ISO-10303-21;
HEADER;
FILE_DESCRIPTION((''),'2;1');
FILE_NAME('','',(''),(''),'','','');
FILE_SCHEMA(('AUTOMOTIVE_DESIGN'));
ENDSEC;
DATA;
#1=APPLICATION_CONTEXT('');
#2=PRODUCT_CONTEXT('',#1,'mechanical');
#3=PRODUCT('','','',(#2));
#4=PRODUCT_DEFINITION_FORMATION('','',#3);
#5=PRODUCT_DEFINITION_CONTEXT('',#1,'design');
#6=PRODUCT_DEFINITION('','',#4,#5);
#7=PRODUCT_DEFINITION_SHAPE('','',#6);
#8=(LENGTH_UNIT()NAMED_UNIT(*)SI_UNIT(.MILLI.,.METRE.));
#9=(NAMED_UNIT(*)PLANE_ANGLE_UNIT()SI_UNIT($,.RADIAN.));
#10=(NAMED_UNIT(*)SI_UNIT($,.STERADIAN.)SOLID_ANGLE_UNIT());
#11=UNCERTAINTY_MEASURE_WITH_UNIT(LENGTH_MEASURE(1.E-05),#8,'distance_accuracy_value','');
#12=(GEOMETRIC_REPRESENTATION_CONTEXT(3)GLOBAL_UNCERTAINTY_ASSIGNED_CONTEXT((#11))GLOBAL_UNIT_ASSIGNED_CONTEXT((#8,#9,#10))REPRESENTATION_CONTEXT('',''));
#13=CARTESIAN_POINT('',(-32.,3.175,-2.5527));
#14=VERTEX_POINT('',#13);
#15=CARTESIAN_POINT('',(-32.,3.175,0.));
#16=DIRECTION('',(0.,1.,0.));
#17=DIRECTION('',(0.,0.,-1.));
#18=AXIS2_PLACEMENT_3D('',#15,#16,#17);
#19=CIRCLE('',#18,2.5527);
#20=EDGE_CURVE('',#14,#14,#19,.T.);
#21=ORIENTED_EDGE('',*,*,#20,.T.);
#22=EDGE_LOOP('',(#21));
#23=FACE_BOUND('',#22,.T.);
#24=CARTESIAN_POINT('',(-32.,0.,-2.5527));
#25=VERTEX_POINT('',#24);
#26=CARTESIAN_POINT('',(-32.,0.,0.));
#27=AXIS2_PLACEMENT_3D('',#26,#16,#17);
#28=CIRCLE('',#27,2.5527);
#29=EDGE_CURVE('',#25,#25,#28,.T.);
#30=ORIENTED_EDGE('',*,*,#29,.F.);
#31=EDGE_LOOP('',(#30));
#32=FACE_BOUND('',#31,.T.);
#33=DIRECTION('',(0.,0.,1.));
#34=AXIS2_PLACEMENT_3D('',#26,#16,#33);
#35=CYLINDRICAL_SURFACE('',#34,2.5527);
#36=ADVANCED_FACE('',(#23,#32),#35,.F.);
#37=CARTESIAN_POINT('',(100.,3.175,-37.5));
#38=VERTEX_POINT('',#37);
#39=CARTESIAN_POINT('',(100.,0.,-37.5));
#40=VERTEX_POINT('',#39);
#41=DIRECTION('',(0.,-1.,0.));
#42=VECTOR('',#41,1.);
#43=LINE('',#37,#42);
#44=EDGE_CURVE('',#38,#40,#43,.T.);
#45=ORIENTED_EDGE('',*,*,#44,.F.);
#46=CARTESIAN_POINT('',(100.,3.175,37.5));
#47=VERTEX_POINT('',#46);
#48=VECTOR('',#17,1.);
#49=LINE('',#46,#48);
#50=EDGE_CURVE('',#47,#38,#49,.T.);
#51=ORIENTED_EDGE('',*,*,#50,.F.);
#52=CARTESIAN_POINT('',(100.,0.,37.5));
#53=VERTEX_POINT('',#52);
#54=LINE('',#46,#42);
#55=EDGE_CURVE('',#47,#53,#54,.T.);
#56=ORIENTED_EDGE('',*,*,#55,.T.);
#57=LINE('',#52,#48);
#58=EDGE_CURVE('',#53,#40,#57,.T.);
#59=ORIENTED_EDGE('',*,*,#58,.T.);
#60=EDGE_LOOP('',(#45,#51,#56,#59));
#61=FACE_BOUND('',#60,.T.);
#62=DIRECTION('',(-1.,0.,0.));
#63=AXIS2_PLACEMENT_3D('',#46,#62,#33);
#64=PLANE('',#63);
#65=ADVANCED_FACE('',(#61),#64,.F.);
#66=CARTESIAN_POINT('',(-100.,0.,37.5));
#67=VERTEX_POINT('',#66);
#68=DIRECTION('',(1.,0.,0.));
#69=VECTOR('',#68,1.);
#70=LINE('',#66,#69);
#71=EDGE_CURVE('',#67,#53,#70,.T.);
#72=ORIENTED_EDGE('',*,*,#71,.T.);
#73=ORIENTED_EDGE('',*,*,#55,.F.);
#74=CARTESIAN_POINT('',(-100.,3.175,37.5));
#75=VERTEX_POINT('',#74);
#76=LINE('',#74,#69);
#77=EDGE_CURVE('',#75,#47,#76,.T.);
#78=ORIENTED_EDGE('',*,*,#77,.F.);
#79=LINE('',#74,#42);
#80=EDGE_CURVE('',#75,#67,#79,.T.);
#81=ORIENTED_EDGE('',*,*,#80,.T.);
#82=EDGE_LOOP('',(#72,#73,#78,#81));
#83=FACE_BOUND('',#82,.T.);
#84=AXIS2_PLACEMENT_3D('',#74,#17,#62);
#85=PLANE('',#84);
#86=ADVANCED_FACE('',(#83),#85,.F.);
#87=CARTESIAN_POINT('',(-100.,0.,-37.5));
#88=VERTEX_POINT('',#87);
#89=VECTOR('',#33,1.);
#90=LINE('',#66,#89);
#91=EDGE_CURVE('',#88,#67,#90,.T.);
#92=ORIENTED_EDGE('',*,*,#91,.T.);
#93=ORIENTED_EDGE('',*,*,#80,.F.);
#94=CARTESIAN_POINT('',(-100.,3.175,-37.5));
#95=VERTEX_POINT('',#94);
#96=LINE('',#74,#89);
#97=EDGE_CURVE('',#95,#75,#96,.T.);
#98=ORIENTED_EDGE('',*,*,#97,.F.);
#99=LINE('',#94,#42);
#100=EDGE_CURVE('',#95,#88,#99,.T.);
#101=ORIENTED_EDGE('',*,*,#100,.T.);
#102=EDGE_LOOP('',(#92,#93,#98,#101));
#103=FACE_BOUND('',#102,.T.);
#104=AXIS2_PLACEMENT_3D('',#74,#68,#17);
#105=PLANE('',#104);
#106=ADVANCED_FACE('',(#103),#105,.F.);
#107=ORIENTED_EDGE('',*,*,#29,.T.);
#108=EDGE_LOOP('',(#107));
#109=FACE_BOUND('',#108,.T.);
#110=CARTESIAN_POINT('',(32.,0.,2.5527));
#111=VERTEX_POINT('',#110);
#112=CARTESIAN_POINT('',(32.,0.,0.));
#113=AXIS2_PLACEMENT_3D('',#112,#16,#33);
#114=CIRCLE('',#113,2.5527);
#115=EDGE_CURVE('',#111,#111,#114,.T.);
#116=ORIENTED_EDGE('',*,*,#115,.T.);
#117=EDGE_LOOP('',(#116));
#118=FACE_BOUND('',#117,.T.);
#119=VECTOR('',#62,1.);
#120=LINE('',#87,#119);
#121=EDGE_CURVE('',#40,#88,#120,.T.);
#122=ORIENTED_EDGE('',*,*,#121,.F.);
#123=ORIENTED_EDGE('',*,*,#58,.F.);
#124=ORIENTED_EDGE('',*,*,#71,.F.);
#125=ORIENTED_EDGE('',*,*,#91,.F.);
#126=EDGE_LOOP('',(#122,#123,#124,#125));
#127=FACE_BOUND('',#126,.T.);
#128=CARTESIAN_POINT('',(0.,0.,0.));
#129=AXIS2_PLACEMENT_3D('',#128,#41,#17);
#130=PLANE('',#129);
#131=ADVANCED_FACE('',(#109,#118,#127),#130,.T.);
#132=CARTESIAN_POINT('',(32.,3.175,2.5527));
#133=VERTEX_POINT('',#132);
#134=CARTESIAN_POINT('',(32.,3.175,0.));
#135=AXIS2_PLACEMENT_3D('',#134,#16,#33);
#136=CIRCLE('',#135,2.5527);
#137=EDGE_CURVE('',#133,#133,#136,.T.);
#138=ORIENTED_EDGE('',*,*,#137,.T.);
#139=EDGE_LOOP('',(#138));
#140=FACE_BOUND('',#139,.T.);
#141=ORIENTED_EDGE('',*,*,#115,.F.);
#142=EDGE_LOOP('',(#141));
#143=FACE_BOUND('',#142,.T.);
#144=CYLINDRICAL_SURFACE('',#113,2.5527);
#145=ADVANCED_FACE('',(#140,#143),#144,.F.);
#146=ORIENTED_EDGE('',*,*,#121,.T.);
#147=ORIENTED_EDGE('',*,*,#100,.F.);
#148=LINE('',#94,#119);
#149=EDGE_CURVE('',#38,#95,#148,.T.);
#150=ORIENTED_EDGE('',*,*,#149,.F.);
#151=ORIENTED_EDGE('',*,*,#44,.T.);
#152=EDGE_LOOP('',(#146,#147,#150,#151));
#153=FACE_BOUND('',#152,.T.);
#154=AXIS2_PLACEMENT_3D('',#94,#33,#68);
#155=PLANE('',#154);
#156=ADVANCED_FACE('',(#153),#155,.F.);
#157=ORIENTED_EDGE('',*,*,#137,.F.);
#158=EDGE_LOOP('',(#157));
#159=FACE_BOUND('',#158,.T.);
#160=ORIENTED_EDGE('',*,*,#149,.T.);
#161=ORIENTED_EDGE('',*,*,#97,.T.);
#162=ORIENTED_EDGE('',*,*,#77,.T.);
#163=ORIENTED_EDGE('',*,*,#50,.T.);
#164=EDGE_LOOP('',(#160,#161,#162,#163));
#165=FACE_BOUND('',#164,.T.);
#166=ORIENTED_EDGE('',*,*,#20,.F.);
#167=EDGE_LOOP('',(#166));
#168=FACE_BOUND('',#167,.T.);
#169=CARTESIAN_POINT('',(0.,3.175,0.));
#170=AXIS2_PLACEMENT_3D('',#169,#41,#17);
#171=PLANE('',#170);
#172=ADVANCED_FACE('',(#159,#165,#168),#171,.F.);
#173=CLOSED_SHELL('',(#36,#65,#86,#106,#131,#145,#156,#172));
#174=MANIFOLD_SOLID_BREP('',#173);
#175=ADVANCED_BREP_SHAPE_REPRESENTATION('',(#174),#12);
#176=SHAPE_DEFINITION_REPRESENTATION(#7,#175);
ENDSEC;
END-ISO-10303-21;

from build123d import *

# Parameters (mm, degrees)
SKETCH1_W           = 200
SKETCH1_H           = 75
BOSS_EXTRUDE1_DEPTH = 3.175
SKETCH2_R           = 2.5527
CUT_EXTRUDE1_DEPTH  = 107.84723031


with BuildPart() as part:
    # Sketch1 → Boss-Extrude1 (new body)
    with BuildSketch(Plane(origin=(0, 0, 0), x_dir=(1, 0, 0), z_dir=(0, 1, 0))):
        Rectangle(SKETCH1_W, SKETCH1_H)
    extrude(amount=BOSS_EXTRUDE1_DEPTH)

    # Sketch2 → Cut-Extrude1 (cut, through all)
    with BuildSketch(Plane(origin=(0, 3.175, 0), x_dir=(1, 0, 0), z_dir=(0, 1, 0))):
        with Locations(Location((32, 0, 0), (0, 0, 270))):
            Circle(SKETCH2_R)
        with Locations(Location((-32, 0, 0), (0, 0, 90))):
            Circle(SKETCH2_R)
    extrude(amount=-CUT_EXTRUDE1_DEPTH, mode=Mode.SUBTRACT)


solid = part.part
